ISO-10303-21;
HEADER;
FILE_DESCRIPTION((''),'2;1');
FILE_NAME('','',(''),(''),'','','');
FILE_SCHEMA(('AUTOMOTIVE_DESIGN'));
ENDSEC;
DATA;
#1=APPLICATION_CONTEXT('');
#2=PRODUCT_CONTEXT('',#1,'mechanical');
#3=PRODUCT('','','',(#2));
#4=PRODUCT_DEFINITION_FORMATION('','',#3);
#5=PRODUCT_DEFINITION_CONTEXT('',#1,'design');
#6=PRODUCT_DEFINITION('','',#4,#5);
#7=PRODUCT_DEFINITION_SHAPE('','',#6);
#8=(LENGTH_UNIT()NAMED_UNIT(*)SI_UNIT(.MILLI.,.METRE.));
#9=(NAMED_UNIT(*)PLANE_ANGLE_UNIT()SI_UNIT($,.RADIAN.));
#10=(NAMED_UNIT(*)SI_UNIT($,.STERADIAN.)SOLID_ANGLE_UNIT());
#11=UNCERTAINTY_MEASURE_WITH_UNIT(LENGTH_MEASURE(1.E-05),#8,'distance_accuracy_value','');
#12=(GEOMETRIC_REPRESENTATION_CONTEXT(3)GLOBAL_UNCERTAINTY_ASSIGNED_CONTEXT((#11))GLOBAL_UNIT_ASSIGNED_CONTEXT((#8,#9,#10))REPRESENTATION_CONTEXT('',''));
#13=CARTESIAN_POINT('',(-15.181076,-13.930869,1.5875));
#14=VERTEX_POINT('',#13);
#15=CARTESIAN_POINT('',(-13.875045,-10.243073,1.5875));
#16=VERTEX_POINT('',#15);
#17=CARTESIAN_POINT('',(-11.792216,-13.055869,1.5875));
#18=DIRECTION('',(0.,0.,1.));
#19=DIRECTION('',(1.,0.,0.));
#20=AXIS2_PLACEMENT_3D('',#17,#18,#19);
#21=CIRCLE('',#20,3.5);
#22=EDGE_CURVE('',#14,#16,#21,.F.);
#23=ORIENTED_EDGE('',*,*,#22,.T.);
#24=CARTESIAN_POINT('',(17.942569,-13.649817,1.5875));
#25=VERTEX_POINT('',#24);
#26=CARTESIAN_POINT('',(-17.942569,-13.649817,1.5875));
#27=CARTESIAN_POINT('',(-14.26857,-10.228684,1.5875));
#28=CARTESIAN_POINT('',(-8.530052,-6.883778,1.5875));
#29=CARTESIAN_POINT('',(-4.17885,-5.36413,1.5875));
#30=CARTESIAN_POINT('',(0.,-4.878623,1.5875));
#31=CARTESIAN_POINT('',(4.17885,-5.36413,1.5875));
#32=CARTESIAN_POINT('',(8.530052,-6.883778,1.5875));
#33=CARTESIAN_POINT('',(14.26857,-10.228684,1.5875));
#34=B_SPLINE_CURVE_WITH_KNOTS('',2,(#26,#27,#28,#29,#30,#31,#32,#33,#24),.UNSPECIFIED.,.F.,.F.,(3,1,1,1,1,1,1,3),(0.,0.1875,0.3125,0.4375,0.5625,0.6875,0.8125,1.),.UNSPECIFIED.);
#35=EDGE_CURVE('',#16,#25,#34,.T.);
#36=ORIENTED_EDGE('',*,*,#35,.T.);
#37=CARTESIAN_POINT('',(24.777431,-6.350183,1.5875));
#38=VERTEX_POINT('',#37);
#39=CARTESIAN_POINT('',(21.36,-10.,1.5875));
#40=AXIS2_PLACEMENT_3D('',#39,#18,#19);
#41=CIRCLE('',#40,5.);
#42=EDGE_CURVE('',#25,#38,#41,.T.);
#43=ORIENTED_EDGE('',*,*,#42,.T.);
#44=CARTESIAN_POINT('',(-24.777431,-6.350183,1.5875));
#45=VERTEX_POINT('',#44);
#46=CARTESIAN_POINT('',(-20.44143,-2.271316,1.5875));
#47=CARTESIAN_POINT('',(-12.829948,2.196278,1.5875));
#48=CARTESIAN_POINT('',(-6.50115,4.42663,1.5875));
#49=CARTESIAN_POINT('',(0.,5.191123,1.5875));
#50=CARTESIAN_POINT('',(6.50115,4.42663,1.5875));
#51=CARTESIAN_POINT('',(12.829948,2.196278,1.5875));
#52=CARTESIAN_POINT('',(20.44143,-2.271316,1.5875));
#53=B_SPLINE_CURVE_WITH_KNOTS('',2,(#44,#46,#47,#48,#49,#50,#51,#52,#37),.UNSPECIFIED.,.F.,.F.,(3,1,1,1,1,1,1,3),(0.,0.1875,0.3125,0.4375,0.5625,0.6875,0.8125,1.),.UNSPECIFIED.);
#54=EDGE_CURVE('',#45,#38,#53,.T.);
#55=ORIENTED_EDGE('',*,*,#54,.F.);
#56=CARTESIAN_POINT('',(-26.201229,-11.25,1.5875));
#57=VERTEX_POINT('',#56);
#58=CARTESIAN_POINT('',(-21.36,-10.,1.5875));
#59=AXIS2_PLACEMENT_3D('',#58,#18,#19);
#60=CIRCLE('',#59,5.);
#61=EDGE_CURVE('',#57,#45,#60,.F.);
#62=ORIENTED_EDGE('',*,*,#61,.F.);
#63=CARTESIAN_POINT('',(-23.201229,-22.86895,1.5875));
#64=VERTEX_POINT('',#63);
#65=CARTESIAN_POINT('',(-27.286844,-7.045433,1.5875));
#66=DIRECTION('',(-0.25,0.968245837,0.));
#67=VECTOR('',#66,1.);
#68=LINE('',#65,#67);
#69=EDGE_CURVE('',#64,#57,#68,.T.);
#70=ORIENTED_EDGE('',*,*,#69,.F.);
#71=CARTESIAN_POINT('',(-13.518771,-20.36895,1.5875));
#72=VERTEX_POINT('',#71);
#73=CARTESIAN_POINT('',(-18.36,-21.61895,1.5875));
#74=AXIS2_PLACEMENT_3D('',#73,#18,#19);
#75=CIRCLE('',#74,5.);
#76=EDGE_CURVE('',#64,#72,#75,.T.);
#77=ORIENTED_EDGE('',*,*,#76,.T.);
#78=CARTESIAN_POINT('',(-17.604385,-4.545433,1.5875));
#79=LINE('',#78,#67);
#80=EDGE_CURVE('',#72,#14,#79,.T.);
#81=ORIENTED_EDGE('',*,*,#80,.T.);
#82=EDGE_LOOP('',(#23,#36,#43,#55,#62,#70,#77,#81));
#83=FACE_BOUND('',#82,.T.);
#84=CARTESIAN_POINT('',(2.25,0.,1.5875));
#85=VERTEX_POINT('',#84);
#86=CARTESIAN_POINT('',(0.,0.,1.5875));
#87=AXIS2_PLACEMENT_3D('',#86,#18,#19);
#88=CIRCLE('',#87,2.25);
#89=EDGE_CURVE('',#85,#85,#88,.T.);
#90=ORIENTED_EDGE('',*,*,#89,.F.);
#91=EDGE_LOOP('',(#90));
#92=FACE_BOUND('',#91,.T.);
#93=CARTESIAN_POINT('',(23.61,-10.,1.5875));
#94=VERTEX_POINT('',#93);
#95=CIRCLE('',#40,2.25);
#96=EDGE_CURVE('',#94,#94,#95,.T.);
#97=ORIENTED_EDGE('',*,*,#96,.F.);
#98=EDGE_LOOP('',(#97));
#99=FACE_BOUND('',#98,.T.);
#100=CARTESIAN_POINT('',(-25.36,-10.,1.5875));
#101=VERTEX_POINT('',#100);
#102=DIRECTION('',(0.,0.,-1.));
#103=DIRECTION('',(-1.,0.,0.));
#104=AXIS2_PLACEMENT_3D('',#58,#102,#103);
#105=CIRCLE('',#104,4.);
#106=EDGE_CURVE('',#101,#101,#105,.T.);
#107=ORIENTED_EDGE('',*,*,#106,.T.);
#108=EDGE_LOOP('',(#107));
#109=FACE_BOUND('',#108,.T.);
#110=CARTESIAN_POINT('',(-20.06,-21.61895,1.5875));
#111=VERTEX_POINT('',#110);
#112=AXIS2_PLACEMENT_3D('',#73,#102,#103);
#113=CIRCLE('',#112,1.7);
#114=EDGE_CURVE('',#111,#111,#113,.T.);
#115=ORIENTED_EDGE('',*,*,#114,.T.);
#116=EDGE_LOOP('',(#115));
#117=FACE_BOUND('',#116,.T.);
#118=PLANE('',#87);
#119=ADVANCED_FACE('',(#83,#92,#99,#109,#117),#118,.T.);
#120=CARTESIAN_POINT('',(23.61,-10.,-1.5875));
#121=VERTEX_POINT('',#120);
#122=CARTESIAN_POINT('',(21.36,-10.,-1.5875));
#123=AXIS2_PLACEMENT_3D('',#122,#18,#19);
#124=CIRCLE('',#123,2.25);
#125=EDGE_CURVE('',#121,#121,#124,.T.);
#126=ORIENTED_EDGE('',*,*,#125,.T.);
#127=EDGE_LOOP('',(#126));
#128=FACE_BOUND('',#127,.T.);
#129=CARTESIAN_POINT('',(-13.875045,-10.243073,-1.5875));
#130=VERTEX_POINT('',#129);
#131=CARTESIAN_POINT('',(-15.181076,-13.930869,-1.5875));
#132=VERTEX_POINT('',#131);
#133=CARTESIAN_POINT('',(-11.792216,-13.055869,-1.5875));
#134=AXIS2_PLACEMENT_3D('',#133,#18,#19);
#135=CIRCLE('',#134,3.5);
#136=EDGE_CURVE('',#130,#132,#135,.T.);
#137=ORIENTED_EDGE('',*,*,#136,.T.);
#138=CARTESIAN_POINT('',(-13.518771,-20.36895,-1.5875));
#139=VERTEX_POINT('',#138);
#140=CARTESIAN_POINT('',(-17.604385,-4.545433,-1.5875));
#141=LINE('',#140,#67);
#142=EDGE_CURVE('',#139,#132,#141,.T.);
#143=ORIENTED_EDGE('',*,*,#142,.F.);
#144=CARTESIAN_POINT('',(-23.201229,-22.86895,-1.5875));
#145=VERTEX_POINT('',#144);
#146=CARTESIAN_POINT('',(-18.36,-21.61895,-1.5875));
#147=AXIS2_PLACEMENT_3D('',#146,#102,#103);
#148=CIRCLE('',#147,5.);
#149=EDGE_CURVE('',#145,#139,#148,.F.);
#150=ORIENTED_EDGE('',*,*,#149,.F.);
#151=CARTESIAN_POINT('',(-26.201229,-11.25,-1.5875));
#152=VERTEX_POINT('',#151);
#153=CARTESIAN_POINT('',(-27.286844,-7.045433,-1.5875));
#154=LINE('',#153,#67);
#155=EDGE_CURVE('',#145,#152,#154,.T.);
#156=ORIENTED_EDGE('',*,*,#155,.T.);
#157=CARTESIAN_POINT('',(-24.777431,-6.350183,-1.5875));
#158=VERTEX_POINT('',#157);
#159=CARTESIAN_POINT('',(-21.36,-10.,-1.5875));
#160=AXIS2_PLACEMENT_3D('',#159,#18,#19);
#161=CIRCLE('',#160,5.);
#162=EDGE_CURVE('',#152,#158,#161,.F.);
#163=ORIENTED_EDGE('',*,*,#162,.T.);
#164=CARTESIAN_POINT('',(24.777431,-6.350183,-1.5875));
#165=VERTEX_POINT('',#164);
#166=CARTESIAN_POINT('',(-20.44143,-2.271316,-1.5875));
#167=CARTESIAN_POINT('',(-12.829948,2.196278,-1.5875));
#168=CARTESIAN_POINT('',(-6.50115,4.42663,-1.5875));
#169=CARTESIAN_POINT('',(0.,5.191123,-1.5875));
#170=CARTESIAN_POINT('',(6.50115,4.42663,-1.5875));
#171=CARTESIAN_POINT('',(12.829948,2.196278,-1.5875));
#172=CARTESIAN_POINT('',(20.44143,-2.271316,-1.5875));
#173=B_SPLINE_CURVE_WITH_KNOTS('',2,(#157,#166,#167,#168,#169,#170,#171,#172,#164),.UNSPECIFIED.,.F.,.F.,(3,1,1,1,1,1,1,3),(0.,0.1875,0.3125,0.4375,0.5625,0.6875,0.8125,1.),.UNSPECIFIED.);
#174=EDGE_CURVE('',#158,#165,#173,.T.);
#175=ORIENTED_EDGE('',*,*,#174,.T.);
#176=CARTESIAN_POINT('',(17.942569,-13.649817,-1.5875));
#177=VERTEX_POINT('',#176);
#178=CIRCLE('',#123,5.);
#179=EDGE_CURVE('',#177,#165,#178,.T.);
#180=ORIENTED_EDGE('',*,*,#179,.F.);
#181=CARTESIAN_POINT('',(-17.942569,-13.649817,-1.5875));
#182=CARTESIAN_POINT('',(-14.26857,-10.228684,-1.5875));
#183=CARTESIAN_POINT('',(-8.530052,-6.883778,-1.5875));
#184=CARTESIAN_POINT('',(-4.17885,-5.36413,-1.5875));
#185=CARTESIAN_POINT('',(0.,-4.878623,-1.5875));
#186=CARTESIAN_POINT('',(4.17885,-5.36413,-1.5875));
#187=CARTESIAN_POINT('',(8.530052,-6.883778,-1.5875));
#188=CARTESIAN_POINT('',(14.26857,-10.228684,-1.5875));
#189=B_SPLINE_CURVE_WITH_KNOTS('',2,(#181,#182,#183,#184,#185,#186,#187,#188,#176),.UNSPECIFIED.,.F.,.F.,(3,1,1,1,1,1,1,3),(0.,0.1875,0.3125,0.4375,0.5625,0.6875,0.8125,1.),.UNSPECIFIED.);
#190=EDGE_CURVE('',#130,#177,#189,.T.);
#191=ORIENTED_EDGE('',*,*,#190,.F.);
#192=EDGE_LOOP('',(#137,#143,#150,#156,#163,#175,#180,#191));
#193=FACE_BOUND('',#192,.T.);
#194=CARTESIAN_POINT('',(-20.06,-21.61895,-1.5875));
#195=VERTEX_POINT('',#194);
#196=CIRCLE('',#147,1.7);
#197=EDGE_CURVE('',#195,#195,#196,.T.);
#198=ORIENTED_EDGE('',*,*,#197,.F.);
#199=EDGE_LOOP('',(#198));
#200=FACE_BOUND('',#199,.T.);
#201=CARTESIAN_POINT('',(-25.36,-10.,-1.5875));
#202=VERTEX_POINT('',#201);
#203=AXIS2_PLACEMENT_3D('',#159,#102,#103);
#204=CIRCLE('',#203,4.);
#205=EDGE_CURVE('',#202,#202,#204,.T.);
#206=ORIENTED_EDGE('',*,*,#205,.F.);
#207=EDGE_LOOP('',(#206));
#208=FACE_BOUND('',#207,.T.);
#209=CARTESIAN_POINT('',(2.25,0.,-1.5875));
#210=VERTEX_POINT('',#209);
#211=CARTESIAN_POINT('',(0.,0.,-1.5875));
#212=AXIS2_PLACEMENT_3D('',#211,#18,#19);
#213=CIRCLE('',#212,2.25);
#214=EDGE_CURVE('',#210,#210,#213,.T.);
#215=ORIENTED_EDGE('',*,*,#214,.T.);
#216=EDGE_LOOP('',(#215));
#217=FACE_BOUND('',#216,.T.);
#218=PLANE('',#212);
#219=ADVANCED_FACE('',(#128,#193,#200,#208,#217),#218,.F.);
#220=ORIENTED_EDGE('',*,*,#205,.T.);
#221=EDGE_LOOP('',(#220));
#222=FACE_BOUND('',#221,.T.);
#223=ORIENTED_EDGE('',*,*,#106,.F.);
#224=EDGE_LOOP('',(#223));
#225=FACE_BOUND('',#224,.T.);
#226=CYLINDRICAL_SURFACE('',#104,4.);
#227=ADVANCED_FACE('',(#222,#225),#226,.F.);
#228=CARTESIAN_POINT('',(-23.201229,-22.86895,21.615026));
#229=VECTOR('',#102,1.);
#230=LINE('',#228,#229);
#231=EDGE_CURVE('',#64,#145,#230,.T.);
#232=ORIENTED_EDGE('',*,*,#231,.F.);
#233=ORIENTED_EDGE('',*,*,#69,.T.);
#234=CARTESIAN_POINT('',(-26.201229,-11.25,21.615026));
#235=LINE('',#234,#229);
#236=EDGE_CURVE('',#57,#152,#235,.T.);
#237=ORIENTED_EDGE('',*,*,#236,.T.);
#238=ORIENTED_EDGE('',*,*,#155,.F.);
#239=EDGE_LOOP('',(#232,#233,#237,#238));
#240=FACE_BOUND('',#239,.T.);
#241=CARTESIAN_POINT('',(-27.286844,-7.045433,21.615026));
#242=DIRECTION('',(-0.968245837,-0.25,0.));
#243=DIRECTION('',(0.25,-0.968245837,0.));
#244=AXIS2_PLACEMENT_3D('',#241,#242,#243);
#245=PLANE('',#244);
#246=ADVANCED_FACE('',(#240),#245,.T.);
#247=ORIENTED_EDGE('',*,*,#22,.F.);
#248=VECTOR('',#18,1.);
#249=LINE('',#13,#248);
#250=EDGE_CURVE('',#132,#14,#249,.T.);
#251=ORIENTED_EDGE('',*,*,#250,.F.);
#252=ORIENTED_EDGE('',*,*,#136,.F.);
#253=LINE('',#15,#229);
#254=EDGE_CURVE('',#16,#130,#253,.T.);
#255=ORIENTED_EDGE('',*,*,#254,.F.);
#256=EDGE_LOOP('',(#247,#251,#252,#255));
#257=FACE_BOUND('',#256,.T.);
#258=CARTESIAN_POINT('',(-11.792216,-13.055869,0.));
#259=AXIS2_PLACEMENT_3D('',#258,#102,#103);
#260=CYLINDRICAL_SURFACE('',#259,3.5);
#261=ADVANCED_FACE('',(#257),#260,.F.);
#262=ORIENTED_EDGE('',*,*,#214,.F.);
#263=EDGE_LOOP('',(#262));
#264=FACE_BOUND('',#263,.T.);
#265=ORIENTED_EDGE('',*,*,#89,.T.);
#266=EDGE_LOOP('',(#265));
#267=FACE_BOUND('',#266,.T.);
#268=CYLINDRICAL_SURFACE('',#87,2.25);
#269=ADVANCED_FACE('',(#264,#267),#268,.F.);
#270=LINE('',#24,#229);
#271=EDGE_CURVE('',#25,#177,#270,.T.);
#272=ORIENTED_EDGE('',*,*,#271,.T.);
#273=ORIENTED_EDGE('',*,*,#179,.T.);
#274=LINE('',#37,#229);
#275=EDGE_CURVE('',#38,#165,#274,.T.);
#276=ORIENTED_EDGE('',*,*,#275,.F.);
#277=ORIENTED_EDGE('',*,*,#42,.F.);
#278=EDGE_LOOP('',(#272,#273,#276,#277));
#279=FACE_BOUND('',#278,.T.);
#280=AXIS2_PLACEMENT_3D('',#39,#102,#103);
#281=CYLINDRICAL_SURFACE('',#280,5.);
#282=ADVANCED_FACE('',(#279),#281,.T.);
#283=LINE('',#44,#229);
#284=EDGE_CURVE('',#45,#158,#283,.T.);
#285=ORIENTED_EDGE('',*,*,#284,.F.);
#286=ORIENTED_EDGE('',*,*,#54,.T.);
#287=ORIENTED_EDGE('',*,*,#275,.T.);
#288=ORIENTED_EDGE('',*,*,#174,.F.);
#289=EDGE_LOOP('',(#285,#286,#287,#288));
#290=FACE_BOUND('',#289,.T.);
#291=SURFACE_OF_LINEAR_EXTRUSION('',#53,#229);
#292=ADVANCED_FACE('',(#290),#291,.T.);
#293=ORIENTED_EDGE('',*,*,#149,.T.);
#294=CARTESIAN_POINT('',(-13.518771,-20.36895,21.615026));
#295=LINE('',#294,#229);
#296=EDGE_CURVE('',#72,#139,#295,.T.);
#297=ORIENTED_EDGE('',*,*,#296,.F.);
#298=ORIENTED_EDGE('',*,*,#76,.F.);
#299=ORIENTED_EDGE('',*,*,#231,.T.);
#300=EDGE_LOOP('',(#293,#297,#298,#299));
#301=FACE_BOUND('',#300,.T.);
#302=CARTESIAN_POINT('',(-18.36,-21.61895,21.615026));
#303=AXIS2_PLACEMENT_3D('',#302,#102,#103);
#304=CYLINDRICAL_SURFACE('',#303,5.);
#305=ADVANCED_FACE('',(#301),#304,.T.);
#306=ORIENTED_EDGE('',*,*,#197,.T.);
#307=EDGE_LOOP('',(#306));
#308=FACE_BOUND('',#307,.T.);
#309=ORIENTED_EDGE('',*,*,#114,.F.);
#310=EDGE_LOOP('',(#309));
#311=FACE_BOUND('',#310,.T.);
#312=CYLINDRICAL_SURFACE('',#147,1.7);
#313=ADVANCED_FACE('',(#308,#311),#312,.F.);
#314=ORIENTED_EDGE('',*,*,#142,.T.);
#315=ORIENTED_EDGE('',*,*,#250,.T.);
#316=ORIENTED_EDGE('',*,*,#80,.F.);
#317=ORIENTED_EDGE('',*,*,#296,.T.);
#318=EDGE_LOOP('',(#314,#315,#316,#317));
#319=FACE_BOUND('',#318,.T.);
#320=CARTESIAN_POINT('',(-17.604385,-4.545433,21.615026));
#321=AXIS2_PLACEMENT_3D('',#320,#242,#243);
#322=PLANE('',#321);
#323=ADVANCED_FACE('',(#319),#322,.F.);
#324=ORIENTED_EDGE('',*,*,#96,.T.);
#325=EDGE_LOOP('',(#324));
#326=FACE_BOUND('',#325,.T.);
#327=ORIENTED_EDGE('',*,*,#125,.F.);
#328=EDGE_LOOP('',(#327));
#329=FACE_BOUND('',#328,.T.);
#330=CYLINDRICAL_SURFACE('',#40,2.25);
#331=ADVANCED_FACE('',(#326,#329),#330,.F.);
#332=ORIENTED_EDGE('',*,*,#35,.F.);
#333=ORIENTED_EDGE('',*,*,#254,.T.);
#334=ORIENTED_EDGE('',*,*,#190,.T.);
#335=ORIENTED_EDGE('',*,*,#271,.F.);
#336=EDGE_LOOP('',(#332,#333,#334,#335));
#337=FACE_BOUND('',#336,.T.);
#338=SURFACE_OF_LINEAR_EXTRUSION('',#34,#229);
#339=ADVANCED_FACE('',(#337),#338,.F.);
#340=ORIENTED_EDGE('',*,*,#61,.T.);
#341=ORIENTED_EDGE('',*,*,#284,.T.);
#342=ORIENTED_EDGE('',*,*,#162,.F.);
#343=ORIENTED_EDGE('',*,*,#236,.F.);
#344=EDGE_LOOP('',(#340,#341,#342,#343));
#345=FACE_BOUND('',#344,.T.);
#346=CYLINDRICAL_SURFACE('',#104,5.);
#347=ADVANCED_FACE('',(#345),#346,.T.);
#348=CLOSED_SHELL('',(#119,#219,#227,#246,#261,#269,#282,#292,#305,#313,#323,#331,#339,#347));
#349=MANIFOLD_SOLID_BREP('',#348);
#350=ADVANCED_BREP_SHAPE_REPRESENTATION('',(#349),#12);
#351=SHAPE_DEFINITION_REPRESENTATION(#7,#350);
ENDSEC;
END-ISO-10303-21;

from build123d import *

# Parameters (mm, degrees)
BOSS_EXTRUDE1_DEPTH  = 1.5875
M4_CLEARANCE_HOLE1_D = 4.5
BOSS_EXTRUDE2_DEPTH  = 3.175
FILLET1_R            = 3.5
M3_CLEARANCE_HOLE1_D = 3.4
SKETCH8_R            = 4
CUT_EXTRUDE1_DEPTH   = 4.1750001


with BuildPart() as part:
    # Sketch2 → Boss-Extrude1 (new body, symmetric)
    with BuildSketch(Plane.XY):
        with BuildLine():
            ThreePointArc((-17.942568571, -13.649816766), (-25.009816766, -13.417431429), (-24.777431429, -6.350183234))
            add(Edge.make_bspline(
                [(-24.777431429, -6.350183234), (-20.441430485, -2.271315687), (-12.829947979, 2.196277878), (-6.501150321, 4.42663028), (0, 5.19112324), (6.501150321, 4.42663028), (12.829947979, 2.196277878), (20.441430485, -2.271315687), (24.777431429, -6.350183234)],
                knots=[0, 0, 0, 0.1875, 0.3125, 0.4375, 0.5625, 0.6875, 0.8125, 1, 1, 1], degree=2))
            ThreePointArc((24.777431429, -6.350183234), (25.009816766, -13.417431429), (17.942568571, -13.649816766))
            add(Edge.make_bspline(
                [(-17.942568571, -13.649816766), (-14.268569515, -10.228684313), (-8.530052021, -6.883777878), (-4.178849679, -5.36413028), (0, -4.87862324), (4.178849679, -5.36413028), (8.530052021, -6.883777878), (14.268569515, -10.228684313), (17.942568571, -13.649816766)],
                knots=[0, 0, 0, 0.1875, 0.3125, 0.4375, 0.5625, 0.6875, 0.8125, 1, 1, 1], degree=2))
        make_face()
    extrude(amount=BOSS_EXTRUDE1_DEPTH, both=True)

    # M4 Clearance Hole1 (through all)
    with Locations(Plane.XY.offset(1.5875)):
        with Locations((21.36, -10), (0, 0)):
            Hole(M4_CLEARANCE_HOLE1_D / 2)

    # Sketch5 → Boss-Extrude2 (add)
    with BuildSketch(Plane(origin=(0, 0, -1.5875), x_dir=(-1, 0, 0), z_dir=(0, 0, -1))):
        with BuildLine():
            ThreePointArc((13.518770817, -20.368950039), (17.11, -26.460179221), (23.201229183, -22.868950039))
            Line((23.201229183, -22.868950039), (26.201229183, -11.25))
            ThreePointArc((26.201229183, -11.25), (22.61, -5.158770817), (16.518770817, -8.75))
            Line((16.518770817, -8.75), (13.518770817, -20.368950039))
        make_face()
    extrude(amount=-BOSS_EXTRUDE2_DEPTH)

    # Fillet1
    fillet1_edges = [part.edges().sort_by_distance(p)[0] for p in [
        (-15.752223744, -11.718824048, 0.7937488),
    ]]
    fillet(fillet1_edges, radius=FILLET1_R)

    # M3 Clearance Hole1 (through all)
    with Locations(Plane(origin=(0, 0, -1.5875), x_dir=(-1, 0, 0), z_dir=(0, 0, -1))):
        with Locations((18.36, -21.618950039)):
            Hole(M3_CLEARANCE_HOLE1_D / 2)

    # Sketch8 → Cut-Extrude1 (cut, through all)
    with BuildSketch(Plane(origin=(0, 0, -1.5875), x_dir=(-1, 0, 0), z_dir=(0, 0, -1))):
        with Locations((21.36, -10)):
            Circle(SKETCH8_R)
    extrude(amount=-CUT_EXTRUDE1_DEPTH, mode=Mode.SUBTRACT)


solid = part.part
